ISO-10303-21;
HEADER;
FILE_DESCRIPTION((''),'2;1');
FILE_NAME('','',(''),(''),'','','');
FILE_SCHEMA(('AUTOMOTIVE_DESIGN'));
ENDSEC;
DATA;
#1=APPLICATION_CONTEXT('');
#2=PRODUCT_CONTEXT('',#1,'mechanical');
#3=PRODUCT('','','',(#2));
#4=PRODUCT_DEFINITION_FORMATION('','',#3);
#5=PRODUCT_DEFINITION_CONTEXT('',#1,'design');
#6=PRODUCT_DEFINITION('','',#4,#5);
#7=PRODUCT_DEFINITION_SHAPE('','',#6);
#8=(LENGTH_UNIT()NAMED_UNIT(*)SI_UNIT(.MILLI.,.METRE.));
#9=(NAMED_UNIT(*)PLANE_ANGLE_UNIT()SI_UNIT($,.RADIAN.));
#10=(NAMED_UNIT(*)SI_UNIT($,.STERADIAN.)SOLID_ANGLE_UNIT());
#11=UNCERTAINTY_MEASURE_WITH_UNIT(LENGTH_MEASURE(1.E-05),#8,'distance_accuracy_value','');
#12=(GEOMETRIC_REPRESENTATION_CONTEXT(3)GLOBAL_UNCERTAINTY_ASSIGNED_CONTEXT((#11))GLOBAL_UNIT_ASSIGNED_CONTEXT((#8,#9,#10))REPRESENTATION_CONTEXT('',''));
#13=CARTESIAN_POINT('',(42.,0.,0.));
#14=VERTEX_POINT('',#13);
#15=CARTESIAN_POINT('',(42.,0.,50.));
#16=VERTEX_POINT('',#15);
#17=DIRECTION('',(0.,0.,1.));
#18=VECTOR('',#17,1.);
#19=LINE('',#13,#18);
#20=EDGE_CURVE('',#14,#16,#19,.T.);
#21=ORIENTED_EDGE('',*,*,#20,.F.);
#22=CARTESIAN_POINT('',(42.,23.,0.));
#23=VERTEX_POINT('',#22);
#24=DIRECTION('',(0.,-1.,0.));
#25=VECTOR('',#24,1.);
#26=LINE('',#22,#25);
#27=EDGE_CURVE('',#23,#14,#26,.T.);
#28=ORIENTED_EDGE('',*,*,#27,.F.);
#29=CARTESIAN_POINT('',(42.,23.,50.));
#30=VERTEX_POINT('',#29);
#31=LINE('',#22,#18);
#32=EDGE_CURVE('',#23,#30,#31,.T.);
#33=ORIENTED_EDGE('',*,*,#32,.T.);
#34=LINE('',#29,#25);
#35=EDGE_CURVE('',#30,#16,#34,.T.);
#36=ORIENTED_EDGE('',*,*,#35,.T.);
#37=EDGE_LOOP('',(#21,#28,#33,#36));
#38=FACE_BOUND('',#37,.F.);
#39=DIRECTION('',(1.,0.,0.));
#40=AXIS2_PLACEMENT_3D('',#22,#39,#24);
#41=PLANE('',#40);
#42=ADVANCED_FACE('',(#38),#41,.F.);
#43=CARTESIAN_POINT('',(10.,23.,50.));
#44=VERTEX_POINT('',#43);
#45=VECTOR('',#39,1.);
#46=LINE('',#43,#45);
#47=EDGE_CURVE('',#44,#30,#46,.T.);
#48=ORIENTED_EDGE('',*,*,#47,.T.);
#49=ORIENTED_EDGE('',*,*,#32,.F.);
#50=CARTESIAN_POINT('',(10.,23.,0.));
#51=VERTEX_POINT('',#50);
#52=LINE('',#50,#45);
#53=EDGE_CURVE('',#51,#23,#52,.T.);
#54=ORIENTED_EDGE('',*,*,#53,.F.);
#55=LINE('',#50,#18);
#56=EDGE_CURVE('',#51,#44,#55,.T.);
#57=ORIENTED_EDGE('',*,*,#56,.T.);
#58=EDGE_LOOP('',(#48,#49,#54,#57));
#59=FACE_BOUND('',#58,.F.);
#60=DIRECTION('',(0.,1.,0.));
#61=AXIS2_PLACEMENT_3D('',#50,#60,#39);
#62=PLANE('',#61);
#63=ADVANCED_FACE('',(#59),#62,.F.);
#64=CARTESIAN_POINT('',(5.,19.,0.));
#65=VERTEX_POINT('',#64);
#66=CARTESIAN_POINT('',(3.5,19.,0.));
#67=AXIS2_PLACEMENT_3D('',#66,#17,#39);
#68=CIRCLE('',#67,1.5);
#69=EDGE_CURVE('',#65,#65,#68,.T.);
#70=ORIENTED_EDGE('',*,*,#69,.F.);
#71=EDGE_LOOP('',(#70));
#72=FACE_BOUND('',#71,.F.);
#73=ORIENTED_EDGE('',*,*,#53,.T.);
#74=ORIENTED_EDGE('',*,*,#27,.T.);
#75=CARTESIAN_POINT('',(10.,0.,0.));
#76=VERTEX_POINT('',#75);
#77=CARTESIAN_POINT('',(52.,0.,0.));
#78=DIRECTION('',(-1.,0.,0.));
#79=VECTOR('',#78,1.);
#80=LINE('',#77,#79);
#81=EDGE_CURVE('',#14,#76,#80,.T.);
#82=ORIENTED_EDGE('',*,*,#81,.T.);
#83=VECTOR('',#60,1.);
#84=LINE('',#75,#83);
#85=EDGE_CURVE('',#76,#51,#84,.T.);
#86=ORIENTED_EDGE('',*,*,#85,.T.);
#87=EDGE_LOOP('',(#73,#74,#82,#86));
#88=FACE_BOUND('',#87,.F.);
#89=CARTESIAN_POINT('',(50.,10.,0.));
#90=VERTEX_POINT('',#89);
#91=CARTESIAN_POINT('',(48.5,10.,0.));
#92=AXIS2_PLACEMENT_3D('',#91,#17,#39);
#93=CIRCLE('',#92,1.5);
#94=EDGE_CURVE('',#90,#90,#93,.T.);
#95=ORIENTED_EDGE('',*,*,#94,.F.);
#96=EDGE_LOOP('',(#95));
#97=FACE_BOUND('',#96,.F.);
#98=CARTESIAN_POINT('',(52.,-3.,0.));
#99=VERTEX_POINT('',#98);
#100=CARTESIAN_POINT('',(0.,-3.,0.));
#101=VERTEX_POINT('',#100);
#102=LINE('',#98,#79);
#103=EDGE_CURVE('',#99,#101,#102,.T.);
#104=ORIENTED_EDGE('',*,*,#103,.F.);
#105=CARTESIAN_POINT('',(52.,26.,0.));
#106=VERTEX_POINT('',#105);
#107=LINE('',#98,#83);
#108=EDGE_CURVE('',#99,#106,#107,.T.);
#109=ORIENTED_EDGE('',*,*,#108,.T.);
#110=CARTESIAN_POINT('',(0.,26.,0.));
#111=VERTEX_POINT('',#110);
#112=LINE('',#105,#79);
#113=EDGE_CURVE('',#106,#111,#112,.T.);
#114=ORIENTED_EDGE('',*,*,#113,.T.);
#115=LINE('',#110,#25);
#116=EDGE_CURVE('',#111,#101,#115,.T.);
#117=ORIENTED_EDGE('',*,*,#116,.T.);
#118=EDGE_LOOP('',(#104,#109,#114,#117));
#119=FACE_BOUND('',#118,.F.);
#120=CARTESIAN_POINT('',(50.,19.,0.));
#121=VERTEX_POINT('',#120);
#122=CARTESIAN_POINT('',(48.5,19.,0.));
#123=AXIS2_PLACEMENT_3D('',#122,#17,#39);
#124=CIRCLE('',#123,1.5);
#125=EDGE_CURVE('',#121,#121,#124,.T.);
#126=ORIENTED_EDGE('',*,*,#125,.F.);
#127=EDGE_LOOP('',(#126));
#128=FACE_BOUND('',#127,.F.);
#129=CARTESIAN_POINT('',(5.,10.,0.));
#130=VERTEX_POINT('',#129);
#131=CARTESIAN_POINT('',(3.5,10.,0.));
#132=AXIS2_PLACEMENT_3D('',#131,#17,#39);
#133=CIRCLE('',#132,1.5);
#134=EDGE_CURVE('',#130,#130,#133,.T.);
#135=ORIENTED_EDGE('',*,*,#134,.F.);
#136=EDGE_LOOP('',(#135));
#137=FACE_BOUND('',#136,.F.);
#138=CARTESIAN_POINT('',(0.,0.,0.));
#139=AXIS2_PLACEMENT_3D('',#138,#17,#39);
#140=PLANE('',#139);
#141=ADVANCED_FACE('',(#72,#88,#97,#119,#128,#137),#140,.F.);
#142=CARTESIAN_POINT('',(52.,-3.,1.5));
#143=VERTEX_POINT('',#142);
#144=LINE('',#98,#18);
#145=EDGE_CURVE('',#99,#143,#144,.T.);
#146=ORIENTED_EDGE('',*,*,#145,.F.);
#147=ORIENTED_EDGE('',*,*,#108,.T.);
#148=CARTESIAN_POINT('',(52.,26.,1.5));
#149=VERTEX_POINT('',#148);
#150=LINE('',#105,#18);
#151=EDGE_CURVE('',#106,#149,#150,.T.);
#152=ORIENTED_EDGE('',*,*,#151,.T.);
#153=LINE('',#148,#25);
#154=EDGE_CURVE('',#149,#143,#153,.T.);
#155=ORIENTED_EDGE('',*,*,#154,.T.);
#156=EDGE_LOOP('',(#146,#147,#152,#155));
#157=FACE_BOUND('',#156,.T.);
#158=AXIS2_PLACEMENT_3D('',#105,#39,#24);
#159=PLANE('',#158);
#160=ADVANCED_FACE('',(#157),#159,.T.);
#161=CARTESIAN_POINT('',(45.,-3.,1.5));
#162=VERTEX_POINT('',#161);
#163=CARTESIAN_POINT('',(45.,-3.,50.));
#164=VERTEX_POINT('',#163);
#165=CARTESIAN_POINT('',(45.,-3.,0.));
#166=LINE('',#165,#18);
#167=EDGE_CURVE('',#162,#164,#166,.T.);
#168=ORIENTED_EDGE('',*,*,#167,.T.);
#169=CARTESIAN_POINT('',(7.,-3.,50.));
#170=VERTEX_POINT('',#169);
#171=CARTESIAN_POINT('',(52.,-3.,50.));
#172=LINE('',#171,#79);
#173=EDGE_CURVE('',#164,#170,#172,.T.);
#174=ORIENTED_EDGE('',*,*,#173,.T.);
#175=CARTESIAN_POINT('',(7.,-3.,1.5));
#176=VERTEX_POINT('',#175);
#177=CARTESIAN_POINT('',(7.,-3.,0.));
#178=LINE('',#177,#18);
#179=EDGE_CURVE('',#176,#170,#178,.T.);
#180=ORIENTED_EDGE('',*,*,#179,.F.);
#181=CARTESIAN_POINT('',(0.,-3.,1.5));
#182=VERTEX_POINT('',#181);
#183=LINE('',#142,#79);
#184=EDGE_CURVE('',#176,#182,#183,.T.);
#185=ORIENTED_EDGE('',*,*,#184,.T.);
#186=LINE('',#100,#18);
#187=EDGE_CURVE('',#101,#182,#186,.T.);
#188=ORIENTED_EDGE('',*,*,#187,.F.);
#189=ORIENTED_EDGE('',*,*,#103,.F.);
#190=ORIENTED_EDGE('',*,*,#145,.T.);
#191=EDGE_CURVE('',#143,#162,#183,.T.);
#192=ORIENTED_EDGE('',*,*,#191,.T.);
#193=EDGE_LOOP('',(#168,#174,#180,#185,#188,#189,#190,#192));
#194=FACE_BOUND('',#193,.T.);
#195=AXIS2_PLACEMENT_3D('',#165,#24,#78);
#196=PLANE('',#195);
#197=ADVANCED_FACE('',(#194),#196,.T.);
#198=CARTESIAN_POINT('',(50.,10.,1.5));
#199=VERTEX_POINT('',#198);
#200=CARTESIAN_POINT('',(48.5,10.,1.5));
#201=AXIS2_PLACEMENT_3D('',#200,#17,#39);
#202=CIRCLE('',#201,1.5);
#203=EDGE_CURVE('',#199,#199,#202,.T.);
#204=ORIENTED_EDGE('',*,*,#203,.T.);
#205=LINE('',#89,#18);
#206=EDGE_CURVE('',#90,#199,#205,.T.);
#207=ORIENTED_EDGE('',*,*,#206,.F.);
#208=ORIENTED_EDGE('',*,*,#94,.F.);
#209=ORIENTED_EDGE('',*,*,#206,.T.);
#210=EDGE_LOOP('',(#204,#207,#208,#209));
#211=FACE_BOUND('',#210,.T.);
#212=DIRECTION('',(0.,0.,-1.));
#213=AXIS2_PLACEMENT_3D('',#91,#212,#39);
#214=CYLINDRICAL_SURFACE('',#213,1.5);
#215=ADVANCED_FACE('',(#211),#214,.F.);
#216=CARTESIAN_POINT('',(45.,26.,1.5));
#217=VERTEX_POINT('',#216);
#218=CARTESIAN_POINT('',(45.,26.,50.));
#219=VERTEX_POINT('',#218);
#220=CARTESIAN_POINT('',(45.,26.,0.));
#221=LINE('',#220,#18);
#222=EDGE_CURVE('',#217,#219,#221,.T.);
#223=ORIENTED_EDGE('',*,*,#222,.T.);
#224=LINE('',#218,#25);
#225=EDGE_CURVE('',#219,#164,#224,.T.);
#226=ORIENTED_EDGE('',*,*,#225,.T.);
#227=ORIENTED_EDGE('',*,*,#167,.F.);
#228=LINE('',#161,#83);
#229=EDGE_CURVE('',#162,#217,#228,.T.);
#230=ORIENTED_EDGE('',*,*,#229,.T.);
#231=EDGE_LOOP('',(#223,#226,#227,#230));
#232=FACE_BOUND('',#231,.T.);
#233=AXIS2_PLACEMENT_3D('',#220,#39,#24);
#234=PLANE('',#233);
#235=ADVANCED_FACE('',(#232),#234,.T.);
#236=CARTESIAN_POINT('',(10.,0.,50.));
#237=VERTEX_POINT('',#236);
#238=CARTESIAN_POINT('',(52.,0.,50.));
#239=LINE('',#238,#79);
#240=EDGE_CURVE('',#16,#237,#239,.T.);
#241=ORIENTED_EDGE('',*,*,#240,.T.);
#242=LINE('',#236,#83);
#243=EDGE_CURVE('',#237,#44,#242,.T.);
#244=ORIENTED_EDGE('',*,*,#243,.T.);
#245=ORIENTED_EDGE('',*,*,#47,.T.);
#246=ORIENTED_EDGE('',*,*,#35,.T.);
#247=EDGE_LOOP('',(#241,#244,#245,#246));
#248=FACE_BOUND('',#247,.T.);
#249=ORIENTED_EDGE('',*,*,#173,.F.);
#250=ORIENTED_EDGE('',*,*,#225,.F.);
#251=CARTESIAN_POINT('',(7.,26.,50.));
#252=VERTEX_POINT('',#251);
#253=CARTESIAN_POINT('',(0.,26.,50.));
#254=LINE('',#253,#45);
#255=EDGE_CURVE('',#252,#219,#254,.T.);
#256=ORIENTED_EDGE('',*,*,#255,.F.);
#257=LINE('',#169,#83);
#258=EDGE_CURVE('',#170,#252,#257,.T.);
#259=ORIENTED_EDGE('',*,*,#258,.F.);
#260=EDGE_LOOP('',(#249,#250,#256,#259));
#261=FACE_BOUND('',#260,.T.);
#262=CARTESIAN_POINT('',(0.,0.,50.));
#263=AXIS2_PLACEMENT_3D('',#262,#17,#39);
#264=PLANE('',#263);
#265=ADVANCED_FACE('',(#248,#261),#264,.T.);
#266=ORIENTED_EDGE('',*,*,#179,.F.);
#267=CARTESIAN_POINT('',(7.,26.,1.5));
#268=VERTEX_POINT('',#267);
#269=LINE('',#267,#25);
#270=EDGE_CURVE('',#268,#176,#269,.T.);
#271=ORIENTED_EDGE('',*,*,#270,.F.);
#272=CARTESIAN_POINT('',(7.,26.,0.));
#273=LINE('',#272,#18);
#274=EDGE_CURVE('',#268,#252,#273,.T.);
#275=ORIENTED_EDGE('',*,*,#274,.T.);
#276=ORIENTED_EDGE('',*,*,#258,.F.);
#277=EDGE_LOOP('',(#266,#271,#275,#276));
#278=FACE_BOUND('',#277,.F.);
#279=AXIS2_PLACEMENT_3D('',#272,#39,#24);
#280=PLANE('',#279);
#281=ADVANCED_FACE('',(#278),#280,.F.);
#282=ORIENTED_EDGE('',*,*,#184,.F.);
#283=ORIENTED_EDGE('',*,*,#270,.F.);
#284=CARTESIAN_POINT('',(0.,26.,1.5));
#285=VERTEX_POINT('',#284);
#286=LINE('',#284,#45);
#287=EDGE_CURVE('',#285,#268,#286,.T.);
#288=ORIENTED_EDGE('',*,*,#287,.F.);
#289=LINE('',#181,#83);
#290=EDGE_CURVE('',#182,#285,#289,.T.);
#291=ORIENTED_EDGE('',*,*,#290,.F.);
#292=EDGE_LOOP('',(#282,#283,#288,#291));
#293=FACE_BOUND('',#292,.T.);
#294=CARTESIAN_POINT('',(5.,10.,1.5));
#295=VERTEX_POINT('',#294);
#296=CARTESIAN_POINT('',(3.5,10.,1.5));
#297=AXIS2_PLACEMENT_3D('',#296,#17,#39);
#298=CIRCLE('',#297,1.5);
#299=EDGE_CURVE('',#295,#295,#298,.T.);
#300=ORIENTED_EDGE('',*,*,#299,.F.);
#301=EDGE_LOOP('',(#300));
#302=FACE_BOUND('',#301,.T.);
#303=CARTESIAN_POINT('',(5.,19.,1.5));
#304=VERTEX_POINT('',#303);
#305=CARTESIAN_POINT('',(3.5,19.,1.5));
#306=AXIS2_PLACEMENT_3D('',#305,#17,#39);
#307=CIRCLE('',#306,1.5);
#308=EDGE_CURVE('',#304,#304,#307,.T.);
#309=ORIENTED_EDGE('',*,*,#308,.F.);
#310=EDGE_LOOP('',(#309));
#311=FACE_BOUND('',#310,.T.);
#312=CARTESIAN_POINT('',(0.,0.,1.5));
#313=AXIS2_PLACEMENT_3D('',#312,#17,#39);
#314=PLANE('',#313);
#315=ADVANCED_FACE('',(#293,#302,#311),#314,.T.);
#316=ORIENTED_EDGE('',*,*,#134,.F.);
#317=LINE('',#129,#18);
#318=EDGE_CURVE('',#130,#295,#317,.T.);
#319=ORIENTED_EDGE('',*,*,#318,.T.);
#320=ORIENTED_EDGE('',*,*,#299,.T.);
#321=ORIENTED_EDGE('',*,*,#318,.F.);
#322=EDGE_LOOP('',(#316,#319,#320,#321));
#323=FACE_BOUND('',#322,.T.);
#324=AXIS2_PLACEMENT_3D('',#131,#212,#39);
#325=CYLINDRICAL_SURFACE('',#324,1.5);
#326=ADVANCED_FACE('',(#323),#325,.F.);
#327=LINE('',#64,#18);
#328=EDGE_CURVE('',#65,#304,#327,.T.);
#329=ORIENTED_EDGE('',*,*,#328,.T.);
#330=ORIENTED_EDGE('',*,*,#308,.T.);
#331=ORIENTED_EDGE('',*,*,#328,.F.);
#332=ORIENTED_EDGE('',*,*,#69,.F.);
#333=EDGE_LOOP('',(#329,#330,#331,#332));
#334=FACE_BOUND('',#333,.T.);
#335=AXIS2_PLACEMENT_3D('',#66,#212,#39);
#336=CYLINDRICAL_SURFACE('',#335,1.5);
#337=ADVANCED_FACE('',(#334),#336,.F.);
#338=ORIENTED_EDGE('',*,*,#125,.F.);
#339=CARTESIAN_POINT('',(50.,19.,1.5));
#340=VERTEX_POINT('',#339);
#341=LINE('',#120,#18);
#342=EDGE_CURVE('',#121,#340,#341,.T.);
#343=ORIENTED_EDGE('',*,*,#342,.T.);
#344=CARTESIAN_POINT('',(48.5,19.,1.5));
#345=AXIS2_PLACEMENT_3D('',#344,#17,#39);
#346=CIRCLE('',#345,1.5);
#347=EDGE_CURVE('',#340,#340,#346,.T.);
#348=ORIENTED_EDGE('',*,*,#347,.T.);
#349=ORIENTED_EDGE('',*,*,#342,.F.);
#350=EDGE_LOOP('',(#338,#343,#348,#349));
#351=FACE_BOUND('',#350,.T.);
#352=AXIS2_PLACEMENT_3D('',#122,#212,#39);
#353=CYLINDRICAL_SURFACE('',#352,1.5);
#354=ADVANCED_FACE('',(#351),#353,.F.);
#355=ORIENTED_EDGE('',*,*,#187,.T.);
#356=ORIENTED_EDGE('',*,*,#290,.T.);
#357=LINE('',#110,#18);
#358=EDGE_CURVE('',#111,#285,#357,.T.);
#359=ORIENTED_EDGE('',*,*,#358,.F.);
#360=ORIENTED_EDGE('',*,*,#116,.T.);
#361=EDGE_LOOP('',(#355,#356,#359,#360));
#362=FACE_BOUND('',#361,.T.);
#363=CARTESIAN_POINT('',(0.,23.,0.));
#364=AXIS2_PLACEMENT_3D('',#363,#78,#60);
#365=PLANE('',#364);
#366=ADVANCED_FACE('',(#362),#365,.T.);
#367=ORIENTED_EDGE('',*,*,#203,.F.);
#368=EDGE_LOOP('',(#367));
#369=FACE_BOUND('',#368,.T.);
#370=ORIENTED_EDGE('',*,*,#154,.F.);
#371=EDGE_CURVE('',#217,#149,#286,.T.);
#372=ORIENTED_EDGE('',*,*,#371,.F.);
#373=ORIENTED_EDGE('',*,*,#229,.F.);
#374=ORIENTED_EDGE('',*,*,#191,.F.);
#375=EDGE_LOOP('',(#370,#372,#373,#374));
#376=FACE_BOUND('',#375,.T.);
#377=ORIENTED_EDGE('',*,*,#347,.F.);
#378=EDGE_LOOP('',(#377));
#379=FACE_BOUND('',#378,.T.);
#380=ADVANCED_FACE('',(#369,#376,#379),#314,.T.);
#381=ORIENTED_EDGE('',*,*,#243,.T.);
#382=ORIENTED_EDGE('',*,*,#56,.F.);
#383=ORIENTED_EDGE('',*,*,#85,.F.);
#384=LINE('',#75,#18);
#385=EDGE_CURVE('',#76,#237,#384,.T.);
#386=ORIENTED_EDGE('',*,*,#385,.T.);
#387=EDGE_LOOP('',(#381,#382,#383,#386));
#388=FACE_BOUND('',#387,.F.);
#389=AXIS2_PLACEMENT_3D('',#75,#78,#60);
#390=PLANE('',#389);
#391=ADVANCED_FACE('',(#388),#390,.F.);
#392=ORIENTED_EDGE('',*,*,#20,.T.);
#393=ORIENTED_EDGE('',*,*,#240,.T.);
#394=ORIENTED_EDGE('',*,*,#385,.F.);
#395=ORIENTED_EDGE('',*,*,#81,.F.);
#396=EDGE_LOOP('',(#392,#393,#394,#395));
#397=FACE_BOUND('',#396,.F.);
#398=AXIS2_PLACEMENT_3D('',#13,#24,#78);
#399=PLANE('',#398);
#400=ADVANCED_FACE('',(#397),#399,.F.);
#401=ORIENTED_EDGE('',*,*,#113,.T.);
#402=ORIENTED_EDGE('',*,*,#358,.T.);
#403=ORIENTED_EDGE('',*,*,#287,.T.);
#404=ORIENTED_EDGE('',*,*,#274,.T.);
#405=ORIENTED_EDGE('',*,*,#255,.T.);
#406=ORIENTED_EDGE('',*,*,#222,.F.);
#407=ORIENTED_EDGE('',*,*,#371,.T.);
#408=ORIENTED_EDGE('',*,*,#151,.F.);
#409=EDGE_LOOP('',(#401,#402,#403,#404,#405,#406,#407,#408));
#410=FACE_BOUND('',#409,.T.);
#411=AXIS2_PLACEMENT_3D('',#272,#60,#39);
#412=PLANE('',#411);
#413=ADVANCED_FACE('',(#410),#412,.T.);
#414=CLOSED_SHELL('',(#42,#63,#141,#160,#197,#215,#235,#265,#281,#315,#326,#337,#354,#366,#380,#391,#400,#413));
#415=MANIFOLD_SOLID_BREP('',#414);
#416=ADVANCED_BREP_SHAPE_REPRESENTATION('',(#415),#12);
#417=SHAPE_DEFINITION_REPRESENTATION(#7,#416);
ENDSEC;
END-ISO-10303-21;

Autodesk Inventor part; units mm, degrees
ref_plane "YZ Plane" through (0, 0, 0) normal (1, 0, 0) x (0, 1, 0)
ref_plane "XZ Plane" through (0, 0, 0) normal (0, 1, 0) x (-1, 0, 0)
ref_plane "XY Plane" through (0, 0, 0) normal (0, 0, 1) x (1, 0, 0)
sketch "sketch" plane through (0, 0, 0) normal (0, 0, 1) x (1, 0, 0)
  line L0 (-10.4, 0) -> (62.4, 0) construction
  line L1 (0, -8.8) -> (0, 31.8) construction
  line L2 (0, 26) -> (52, 26)
  line L3 (52, 26) -> (52, 0)
  line L4 (52, 0) -> (0, 0)
  line L5 (0, 0) -> (0, 26)
  circle A0 centre (3.5, 19) radius 1.5
  circle A1 centre (3.5, 10) radius 1.5
  circle A2 centre (48.5, 19) radius 1.5
  circle A3 centre (48.5, 10) radius 1.5
  line L6 (10, 23) -> (42, 23)
  line L7 (42, 23) -> (42, 0)
  line L8 (42, 0) -> (10, 0)
  line L9 (10, 0) -> (10, 23)
  line L10 (0, 0) -> (52, 0)
  line L11 (52, 0) -> (52, -3)
  line L12 (52, -3) -> (0, -3)
  line L13 (0, -3) -> (0, 0)
  line L14 (7, 23) -> (10, 23)
  line L15 (10, 23) -> (10, 0)
  line L16 (10, 0) -> (7, 0)
  line L17 (7, 0) -> (7, 23)
  line L18 (42, 23) -> (45, 23)
  line L19 (45, 23) -> (45, 0)
  line L20 (45, 0) -> (42, 0)
  line L21 (42, 0) -> (42, 23)
  line L22 (0, 23) -> (7, 23)
  line L23 (45, 23) -> (52, 23)
  line L24 (7, 26) -> (7, 22.7671)
  line L25 (45, 26) -> (45, 23)
  line L26 (7, 0) -> (7, -3)
  line L27 (45, 0) -> (45, -3)
  point P0 (52, 0)
  dimension "d0" = 26
  dimension "d1" = 52
  dimension "d2" = 3
  dimension "d3" = 3
  dimension "d4" = 3
  dimension "d5" = 3
  dimension "d6" = 3.5
  dimension "d7" = 3.5
  dimension "d8" = 3.5
  dimension "d10" = 7
  dimension "d11" = 7
  dimension "d12" = 10
  dimension "d13" = 10
  dimension "d14" = 3
  dimension "d15" = 10
  dimension "d16" = 10
  dimension "d17" = 3
  dimension "d18" = 3
  dimension "d19" = 3
  dimension "d20" = 3.5
extrude "body" add sketch "sketch" along normal blind 50 contours L2 L25 L18 L6 L14 L24 | L14 L9 L4 L17 | L19 L4 L7 L18 | L4 L27 L12 L26
extrude "bolt" add sketch "sketch" along normal blind 1.5 contours L2 L24 L22 L5 | L22 L17 L4 L5 | L2 L3 L23 L25 | L4 L26 L12 L13 | L23 L3 L4 L19 | L4 L11 L12 L27
equation "\"d3\" = d2"
equation "\"d4\" = d2"
equation "\"d5\" = d2"
equation "\"d7\" = d6"
equation "\"d8\" = d6"
equation "\"d11\" = d10"
equation "\"d13\" = d12"
properties part number "battery"
